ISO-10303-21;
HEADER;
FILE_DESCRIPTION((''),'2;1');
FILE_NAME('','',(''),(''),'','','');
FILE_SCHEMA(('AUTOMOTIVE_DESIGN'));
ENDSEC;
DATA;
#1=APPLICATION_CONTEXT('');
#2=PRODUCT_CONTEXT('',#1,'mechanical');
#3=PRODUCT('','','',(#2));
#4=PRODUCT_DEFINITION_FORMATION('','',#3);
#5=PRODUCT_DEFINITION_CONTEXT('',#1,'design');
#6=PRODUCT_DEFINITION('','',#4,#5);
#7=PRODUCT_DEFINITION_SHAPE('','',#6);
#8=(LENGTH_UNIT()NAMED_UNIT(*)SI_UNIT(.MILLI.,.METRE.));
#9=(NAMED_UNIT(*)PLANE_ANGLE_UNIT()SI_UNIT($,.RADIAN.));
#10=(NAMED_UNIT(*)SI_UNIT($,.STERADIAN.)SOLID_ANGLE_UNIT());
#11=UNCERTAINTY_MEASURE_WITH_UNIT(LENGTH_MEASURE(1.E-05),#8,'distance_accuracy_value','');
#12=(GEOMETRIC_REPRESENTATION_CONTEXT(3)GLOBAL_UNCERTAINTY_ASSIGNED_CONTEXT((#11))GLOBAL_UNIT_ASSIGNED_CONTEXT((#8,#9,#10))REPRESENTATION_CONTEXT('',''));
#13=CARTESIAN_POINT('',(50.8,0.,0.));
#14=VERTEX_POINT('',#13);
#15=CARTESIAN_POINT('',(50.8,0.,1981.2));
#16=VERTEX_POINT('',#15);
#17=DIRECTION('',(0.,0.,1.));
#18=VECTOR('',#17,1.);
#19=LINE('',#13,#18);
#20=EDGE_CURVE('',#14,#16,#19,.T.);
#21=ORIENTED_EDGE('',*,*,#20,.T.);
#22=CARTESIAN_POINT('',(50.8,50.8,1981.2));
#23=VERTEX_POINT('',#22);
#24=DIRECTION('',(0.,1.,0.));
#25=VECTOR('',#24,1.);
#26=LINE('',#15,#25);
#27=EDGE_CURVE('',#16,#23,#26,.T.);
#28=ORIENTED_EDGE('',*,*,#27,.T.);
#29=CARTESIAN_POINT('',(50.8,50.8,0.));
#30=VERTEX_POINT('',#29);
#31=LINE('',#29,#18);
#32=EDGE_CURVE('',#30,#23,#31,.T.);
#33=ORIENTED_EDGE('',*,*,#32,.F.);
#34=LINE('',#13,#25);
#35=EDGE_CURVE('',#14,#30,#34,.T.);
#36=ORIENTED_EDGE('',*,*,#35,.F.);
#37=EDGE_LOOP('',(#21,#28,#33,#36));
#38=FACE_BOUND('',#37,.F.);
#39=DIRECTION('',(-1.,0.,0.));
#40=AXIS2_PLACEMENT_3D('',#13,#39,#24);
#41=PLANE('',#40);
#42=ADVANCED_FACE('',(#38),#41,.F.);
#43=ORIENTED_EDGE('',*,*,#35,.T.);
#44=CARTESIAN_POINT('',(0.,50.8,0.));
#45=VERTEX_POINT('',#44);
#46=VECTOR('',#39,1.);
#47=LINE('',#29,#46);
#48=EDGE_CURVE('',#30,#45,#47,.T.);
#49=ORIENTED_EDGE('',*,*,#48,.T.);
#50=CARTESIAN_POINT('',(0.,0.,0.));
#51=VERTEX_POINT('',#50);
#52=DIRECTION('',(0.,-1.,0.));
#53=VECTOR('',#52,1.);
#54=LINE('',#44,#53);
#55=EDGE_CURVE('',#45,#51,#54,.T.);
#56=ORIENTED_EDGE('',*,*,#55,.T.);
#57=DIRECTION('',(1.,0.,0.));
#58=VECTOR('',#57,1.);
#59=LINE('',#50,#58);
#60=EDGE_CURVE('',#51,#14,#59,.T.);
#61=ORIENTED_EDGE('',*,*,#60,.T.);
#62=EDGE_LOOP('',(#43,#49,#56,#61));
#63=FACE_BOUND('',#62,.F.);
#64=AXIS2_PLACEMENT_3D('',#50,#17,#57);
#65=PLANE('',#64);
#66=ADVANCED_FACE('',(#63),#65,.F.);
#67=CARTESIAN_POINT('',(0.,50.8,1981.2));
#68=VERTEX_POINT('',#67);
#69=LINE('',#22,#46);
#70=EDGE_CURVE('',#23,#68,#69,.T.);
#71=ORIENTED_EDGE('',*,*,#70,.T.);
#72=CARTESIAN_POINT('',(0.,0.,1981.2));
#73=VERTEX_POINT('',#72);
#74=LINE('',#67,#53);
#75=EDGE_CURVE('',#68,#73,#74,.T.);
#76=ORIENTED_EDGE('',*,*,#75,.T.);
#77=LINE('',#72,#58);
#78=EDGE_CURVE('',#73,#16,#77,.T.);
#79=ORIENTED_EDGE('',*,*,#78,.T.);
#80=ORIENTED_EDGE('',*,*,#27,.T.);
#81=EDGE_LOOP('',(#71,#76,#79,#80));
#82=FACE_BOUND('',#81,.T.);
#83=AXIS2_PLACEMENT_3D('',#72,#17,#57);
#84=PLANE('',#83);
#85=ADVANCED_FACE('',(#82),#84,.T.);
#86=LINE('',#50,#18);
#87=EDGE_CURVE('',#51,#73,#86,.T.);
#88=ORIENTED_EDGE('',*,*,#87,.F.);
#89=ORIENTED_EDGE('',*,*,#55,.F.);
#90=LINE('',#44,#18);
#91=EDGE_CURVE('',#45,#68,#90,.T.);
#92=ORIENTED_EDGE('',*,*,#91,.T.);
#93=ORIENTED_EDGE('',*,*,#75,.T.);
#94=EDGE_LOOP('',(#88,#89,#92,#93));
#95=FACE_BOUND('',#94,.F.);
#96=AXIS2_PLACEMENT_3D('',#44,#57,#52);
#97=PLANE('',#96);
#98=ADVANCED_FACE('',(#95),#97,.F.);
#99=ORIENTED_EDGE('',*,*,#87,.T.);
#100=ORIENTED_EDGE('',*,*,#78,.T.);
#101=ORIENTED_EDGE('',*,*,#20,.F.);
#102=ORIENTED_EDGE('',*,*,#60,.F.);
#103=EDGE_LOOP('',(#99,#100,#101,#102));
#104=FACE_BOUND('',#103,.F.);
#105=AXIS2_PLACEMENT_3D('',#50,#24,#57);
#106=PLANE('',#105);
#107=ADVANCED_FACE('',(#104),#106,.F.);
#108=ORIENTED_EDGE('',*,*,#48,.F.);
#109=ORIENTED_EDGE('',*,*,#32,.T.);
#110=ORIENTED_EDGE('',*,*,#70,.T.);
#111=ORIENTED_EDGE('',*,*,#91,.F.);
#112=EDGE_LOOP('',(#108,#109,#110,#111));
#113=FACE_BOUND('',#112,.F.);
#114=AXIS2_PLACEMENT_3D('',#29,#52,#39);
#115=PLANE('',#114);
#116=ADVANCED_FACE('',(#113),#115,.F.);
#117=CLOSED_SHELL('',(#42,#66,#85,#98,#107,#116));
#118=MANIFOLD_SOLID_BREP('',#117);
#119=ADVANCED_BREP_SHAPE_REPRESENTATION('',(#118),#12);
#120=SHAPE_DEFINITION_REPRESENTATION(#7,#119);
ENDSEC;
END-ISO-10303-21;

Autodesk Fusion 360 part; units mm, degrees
sketch "Sketch1" plane through (0, 0, 0) normal (0, 0, 1) x (1, 0, 0)
  line L0 (0, 0) -> (50.8, 0)
  line L1 (50.8, 0) -> (50.8, 50.8)
  line L2 (50.8, 50.8) -> (0, 50.8)
  line L3 (0, 50.8) -> (0, 0)
  dimension "d1" = 50.8
  dimension "d2" = 50.8
extrude "Extrude1" add sketch "Sketch1" along normal blind 1981.2
